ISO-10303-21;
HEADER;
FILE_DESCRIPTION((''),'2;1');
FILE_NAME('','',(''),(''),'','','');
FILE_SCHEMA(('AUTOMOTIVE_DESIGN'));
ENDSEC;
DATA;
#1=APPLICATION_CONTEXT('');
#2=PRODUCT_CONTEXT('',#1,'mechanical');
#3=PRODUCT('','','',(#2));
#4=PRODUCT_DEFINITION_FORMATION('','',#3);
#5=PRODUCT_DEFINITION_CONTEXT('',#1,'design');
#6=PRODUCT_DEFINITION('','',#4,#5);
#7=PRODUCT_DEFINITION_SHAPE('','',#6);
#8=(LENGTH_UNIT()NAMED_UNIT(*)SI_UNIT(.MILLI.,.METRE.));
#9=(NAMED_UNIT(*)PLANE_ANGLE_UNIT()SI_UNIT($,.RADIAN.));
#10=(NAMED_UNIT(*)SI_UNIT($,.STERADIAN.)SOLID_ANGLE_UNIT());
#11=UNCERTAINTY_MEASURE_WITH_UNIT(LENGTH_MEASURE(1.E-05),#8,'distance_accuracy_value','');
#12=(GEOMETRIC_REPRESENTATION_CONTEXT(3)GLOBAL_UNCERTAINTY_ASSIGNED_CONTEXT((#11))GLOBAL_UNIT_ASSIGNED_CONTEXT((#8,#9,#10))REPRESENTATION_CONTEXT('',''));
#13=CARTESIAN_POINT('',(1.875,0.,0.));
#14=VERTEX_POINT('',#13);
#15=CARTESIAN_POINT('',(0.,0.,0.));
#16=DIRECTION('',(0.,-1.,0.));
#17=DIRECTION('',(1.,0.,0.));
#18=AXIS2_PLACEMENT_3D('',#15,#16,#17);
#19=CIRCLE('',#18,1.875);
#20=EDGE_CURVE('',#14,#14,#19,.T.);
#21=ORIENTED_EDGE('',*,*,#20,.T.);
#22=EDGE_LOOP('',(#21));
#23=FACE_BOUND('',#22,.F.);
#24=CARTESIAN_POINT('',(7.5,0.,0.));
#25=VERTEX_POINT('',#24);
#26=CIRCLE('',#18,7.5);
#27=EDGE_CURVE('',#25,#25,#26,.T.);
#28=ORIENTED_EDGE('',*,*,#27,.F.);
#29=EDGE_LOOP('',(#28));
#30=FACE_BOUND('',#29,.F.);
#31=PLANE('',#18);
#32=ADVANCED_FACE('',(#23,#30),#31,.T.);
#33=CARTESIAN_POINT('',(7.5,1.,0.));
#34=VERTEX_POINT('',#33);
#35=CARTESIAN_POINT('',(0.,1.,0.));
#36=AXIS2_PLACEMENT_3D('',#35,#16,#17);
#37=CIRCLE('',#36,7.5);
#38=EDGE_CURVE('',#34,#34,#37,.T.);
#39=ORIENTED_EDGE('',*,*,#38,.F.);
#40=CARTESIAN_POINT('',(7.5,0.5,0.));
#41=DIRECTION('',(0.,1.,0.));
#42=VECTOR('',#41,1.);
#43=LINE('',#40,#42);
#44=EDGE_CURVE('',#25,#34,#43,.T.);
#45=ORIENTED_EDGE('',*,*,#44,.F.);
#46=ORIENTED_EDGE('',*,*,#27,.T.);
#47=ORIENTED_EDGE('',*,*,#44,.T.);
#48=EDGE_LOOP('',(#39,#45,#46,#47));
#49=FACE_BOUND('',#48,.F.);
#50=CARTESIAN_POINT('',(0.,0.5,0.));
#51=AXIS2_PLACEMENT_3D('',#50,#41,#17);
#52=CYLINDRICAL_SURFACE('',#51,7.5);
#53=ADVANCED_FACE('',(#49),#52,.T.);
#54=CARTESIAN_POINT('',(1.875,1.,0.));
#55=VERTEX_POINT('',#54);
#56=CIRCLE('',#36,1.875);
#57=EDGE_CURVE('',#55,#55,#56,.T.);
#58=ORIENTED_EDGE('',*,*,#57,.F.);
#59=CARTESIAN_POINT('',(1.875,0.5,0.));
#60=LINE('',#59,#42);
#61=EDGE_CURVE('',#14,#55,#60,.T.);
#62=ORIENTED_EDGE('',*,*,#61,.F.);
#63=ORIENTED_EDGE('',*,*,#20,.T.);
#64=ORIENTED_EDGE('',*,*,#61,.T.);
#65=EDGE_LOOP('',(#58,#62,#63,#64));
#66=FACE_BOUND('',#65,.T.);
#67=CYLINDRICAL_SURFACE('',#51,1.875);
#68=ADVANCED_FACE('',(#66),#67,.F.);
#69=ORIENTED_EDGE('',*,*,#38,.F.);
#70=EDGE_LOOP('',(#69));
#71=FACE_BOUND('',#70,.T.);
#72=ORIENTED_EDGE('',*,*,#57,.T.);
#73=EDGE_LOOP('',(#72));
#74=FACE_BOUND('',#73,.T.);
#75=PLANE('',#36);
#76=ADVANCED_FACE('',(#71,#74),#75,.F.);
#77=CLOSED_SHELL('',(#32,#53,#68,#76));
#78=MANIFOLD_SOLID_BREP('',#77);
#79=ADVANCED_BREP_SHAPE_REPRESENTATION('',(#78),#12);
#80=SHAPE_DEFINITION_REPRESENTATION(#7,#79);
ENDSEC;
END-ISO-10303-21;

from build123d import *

# Parameters (mm, degrees)
SKETCH1_W = 5.625
SKETCH1_H = 1


with BuildPart() as part:
    # Sketch1 → Revolve1 (revolve)
    with BuildSketch(Plane.XY):
        with Locations((4.6875, 0.5)):
            Rectangle(SKETCH1_W, SKETCH1_H)
    revolve(axis=Axis((0, 2.340120938, 0), (0, -1, 0)))


solid = part.part
